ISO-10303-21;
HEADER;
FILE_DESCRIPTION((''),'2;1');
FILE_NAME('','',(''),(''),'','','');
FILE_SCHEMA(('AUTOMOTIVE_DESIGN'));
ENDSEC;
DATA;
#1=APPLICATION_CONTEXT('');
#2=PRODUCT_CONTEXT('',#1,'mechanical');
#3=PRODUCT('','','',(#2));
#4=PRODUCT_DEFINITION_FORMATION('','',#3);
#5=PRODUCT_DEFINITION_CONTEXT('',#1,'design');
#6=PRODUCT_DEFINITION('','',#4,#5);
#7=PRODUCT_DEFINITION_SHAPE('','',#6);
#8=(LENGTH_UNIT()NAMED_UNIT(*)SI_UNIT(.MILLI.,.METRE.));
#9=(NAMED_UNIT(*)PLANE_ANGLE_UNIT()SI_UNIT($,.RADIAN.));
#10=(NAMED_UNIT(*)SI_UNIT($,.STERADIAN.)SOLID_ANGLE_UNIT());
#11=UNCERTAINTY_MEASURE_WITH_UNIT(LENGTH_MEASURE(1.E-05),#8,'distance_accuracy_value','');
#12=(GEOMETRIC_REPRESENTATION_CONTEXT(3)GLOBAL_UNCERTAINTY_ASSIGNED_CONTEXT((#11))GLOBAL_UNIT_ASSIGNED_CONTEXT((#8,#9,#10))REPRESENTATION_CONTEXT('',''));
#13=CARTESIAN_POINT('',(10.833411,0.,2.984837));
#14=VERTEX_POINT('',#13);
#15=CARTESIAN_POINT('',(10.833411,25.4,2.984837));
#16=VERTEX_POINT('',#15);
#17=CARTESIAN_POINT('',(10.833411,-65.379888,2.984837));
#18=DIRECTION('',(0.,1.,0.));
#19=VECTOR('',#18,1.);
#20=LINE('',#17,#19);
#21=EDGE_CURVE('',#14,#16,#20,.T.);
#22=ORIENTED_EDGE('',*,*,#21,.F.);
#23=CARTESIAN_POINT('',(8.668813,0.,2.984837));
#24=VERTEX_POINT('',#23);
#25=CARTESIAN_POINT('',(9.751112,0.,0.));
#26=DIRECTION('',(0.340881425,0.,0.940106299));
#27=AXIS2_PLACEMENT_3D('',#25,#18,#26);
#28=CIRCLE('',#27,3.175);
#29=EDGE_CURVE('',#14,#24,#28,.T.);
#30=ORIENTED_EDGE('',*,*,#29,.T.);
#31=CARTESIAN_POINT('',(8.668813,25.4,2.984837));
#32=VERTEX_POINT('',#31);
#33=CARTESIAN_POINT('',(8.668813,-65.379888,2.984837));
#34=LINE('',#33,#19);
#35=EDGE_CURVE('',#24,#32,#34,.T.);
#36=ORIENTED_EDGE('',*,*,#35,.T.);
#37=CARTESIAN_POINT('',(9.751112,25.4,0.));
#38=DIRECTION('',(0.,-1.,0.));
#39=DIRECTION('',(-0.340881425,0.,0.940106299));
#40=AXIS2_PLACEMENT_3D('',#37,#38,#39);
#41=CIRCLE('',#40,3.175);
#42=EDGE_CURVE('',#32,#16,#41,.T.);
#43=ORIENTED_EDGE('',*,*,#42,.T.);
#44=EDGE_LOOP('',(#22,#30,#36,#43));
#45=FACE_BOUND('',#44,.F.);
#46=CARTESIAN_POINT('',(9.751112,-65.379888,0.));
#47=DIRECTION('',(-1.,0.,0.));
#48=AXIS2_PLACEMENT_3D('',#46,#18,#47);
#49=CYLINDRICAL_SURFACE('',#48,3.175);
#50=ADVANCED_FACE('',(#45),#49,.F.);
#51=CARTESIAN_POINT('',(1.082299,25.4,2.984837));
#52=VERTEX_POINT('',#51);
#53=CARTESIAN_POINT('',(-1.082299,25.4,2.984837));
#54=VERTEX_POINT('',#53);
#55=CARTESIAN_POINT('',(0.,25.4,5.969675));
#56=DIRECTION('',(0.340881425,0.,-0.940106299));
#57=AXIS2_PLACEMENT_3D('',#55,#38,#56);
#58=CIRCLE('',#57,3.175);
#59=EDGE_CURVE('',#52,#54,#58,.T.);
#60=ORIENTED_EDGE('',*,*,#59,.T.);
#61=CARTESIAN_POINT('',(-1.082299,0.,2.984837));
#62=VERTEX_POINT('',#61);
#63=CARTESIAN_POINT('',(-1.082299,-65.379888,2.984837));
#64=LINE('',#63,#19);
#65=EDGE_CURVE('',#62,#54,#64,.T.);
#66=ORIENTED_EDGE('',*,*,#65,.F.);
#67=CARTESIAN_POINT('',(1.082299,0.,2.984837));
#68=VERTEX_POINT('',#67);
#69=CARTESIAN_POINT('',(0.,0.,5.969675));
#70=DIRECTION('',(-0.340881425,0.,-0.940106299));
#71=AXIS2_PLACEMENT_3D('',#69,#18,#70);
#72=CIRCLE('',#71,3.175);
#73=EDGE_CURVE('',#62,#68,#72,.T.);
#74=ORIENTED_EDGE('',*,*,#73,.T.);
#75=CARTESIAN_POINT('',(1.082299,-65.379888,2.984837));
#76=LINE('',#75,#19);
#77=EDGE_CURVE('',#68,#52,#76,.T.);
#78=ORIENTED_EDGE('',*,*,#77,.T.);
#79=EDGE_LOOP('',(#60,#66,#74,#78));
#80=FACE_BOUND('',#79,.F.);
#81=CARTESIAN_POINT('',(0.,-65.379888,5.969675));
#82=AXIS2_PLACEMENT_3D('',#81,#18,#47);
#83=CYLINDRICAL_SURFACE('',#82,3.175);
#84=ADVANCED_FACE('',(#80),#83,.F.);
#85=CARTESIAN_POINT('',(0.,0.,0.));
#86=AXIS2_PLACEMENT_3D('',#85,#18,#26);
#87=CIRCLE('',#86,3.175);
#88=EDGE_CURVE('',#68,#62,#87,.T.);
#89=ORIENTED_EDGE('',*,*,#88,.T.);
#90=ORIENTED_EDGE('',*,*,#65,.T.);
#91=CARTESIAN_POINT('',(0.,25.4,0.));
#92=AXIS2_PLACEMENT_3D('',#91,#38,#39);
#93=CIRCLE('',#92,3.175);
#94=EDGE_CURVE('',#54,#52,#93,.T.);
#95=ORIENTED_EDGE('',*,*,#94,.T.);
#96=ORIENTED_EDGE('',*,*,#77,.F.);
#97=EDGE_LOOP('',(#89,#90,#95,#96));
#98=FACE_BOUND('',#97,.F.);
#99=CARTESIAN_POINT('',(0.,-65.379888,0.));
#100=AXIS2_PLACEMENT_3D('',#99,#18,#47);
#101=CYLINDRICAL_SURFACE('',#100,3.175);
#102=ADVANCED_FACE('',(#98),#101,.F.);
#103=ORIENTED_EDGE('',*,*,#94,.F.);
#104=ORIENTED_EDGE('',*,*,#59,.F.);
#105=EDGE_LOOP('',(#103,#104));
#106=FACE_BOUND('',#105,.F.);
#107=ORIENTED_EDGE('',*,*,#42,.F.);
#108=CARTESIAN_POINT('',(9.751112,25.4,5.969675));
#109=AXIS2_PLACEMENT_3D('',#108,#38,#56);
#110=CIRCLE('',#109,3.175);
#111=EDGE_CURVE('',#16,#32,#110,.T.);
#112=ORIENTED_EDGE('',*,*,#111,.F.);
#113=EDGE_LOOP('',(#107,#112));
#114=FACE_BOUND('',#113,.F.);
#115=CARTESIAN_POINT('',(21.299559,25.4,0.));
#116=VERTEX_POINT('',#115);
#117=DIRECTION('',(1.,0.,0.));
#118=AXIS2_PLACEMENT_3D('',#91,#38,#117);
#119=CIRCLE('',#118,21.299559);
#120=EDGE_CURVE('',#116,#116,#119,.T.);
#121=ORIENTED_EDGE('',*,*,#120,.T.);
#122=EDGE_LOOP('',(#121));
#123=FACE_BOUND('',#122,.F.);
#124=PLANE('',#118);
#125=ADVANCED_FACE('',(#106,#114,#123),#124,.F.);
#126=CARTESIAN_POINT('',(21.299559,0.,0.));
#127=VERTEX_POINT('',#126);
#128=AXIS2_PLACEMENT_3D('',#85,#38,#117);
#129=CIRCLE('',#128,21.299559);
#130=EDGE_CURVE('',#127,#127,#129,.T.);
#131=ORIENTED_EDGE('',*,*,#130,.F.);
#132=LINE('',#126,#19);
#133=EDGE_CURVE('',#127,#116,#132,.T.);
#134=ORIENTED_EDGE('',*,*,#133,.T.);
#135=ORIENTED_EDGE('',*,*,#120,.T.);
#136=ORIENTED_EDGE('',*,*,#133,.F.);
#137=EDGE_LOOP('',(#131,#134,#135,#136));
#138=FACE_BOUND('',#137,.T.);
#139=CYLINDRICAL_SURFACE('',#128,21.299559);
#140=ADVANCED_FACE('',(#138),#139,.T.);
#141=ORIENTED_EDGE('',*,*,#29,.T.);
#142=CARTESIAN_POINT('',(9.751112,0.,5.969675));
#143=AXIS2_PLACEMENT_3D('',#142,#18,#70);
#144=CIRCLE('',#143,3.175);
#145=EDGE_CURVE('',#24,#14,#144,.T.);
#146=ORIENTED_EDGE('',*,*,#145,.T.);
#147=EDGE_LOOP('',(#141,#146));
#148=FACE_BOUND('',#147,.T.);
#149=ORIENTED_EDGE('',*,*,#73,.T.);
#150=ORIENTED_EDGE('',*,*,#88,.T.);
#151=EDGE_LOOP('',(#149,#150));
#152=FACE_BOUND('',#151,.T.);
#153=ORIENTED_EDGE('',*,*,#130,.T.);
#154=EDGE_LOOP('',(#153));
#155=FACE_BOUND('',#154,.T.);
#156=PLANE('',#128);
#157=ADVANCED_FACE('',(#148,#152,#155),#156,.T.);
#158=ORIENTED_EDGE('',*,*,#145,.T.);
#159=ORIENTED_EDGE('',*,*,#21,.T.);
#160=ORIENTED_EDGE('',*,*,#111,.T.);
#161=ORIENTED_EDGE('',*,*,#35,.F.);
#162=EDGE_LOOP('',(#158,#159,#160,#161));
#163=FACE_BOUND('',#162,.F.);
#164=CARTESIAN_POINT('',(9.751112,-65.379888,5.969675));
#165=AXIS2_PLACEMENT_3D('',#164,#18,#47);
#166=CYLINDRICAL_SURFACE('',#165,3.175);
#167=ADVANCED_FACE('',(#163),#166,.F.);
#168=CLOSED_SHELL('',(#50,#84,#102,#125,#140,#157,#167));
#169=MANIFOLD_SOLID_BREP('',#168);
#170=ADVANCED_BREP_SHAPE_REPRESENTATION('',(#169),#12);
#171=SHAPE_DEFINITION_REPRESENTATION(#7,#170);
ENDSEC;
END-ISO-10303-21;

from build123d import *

# Parameters (mm, degrees)
F0_R     = 21.299559
F1_DEPTH = 25.4
F3_D     = 6.35


with BuildPart() as f1:
    # F0 (on Front) → F1 (new body)
    with BuildSketch(Plane.XZ):
        Circle(F0_R)
    extrude(amount=-F1_DEPTH)

    # F3 (through all)
    with Locations(Plane.XZ):
        with Locations((9.751112, 0), (9.751112, 5.969675), (0, 0), (0, 5.969675)):
            Hole(F3_D / 2)


solid = f1.part
